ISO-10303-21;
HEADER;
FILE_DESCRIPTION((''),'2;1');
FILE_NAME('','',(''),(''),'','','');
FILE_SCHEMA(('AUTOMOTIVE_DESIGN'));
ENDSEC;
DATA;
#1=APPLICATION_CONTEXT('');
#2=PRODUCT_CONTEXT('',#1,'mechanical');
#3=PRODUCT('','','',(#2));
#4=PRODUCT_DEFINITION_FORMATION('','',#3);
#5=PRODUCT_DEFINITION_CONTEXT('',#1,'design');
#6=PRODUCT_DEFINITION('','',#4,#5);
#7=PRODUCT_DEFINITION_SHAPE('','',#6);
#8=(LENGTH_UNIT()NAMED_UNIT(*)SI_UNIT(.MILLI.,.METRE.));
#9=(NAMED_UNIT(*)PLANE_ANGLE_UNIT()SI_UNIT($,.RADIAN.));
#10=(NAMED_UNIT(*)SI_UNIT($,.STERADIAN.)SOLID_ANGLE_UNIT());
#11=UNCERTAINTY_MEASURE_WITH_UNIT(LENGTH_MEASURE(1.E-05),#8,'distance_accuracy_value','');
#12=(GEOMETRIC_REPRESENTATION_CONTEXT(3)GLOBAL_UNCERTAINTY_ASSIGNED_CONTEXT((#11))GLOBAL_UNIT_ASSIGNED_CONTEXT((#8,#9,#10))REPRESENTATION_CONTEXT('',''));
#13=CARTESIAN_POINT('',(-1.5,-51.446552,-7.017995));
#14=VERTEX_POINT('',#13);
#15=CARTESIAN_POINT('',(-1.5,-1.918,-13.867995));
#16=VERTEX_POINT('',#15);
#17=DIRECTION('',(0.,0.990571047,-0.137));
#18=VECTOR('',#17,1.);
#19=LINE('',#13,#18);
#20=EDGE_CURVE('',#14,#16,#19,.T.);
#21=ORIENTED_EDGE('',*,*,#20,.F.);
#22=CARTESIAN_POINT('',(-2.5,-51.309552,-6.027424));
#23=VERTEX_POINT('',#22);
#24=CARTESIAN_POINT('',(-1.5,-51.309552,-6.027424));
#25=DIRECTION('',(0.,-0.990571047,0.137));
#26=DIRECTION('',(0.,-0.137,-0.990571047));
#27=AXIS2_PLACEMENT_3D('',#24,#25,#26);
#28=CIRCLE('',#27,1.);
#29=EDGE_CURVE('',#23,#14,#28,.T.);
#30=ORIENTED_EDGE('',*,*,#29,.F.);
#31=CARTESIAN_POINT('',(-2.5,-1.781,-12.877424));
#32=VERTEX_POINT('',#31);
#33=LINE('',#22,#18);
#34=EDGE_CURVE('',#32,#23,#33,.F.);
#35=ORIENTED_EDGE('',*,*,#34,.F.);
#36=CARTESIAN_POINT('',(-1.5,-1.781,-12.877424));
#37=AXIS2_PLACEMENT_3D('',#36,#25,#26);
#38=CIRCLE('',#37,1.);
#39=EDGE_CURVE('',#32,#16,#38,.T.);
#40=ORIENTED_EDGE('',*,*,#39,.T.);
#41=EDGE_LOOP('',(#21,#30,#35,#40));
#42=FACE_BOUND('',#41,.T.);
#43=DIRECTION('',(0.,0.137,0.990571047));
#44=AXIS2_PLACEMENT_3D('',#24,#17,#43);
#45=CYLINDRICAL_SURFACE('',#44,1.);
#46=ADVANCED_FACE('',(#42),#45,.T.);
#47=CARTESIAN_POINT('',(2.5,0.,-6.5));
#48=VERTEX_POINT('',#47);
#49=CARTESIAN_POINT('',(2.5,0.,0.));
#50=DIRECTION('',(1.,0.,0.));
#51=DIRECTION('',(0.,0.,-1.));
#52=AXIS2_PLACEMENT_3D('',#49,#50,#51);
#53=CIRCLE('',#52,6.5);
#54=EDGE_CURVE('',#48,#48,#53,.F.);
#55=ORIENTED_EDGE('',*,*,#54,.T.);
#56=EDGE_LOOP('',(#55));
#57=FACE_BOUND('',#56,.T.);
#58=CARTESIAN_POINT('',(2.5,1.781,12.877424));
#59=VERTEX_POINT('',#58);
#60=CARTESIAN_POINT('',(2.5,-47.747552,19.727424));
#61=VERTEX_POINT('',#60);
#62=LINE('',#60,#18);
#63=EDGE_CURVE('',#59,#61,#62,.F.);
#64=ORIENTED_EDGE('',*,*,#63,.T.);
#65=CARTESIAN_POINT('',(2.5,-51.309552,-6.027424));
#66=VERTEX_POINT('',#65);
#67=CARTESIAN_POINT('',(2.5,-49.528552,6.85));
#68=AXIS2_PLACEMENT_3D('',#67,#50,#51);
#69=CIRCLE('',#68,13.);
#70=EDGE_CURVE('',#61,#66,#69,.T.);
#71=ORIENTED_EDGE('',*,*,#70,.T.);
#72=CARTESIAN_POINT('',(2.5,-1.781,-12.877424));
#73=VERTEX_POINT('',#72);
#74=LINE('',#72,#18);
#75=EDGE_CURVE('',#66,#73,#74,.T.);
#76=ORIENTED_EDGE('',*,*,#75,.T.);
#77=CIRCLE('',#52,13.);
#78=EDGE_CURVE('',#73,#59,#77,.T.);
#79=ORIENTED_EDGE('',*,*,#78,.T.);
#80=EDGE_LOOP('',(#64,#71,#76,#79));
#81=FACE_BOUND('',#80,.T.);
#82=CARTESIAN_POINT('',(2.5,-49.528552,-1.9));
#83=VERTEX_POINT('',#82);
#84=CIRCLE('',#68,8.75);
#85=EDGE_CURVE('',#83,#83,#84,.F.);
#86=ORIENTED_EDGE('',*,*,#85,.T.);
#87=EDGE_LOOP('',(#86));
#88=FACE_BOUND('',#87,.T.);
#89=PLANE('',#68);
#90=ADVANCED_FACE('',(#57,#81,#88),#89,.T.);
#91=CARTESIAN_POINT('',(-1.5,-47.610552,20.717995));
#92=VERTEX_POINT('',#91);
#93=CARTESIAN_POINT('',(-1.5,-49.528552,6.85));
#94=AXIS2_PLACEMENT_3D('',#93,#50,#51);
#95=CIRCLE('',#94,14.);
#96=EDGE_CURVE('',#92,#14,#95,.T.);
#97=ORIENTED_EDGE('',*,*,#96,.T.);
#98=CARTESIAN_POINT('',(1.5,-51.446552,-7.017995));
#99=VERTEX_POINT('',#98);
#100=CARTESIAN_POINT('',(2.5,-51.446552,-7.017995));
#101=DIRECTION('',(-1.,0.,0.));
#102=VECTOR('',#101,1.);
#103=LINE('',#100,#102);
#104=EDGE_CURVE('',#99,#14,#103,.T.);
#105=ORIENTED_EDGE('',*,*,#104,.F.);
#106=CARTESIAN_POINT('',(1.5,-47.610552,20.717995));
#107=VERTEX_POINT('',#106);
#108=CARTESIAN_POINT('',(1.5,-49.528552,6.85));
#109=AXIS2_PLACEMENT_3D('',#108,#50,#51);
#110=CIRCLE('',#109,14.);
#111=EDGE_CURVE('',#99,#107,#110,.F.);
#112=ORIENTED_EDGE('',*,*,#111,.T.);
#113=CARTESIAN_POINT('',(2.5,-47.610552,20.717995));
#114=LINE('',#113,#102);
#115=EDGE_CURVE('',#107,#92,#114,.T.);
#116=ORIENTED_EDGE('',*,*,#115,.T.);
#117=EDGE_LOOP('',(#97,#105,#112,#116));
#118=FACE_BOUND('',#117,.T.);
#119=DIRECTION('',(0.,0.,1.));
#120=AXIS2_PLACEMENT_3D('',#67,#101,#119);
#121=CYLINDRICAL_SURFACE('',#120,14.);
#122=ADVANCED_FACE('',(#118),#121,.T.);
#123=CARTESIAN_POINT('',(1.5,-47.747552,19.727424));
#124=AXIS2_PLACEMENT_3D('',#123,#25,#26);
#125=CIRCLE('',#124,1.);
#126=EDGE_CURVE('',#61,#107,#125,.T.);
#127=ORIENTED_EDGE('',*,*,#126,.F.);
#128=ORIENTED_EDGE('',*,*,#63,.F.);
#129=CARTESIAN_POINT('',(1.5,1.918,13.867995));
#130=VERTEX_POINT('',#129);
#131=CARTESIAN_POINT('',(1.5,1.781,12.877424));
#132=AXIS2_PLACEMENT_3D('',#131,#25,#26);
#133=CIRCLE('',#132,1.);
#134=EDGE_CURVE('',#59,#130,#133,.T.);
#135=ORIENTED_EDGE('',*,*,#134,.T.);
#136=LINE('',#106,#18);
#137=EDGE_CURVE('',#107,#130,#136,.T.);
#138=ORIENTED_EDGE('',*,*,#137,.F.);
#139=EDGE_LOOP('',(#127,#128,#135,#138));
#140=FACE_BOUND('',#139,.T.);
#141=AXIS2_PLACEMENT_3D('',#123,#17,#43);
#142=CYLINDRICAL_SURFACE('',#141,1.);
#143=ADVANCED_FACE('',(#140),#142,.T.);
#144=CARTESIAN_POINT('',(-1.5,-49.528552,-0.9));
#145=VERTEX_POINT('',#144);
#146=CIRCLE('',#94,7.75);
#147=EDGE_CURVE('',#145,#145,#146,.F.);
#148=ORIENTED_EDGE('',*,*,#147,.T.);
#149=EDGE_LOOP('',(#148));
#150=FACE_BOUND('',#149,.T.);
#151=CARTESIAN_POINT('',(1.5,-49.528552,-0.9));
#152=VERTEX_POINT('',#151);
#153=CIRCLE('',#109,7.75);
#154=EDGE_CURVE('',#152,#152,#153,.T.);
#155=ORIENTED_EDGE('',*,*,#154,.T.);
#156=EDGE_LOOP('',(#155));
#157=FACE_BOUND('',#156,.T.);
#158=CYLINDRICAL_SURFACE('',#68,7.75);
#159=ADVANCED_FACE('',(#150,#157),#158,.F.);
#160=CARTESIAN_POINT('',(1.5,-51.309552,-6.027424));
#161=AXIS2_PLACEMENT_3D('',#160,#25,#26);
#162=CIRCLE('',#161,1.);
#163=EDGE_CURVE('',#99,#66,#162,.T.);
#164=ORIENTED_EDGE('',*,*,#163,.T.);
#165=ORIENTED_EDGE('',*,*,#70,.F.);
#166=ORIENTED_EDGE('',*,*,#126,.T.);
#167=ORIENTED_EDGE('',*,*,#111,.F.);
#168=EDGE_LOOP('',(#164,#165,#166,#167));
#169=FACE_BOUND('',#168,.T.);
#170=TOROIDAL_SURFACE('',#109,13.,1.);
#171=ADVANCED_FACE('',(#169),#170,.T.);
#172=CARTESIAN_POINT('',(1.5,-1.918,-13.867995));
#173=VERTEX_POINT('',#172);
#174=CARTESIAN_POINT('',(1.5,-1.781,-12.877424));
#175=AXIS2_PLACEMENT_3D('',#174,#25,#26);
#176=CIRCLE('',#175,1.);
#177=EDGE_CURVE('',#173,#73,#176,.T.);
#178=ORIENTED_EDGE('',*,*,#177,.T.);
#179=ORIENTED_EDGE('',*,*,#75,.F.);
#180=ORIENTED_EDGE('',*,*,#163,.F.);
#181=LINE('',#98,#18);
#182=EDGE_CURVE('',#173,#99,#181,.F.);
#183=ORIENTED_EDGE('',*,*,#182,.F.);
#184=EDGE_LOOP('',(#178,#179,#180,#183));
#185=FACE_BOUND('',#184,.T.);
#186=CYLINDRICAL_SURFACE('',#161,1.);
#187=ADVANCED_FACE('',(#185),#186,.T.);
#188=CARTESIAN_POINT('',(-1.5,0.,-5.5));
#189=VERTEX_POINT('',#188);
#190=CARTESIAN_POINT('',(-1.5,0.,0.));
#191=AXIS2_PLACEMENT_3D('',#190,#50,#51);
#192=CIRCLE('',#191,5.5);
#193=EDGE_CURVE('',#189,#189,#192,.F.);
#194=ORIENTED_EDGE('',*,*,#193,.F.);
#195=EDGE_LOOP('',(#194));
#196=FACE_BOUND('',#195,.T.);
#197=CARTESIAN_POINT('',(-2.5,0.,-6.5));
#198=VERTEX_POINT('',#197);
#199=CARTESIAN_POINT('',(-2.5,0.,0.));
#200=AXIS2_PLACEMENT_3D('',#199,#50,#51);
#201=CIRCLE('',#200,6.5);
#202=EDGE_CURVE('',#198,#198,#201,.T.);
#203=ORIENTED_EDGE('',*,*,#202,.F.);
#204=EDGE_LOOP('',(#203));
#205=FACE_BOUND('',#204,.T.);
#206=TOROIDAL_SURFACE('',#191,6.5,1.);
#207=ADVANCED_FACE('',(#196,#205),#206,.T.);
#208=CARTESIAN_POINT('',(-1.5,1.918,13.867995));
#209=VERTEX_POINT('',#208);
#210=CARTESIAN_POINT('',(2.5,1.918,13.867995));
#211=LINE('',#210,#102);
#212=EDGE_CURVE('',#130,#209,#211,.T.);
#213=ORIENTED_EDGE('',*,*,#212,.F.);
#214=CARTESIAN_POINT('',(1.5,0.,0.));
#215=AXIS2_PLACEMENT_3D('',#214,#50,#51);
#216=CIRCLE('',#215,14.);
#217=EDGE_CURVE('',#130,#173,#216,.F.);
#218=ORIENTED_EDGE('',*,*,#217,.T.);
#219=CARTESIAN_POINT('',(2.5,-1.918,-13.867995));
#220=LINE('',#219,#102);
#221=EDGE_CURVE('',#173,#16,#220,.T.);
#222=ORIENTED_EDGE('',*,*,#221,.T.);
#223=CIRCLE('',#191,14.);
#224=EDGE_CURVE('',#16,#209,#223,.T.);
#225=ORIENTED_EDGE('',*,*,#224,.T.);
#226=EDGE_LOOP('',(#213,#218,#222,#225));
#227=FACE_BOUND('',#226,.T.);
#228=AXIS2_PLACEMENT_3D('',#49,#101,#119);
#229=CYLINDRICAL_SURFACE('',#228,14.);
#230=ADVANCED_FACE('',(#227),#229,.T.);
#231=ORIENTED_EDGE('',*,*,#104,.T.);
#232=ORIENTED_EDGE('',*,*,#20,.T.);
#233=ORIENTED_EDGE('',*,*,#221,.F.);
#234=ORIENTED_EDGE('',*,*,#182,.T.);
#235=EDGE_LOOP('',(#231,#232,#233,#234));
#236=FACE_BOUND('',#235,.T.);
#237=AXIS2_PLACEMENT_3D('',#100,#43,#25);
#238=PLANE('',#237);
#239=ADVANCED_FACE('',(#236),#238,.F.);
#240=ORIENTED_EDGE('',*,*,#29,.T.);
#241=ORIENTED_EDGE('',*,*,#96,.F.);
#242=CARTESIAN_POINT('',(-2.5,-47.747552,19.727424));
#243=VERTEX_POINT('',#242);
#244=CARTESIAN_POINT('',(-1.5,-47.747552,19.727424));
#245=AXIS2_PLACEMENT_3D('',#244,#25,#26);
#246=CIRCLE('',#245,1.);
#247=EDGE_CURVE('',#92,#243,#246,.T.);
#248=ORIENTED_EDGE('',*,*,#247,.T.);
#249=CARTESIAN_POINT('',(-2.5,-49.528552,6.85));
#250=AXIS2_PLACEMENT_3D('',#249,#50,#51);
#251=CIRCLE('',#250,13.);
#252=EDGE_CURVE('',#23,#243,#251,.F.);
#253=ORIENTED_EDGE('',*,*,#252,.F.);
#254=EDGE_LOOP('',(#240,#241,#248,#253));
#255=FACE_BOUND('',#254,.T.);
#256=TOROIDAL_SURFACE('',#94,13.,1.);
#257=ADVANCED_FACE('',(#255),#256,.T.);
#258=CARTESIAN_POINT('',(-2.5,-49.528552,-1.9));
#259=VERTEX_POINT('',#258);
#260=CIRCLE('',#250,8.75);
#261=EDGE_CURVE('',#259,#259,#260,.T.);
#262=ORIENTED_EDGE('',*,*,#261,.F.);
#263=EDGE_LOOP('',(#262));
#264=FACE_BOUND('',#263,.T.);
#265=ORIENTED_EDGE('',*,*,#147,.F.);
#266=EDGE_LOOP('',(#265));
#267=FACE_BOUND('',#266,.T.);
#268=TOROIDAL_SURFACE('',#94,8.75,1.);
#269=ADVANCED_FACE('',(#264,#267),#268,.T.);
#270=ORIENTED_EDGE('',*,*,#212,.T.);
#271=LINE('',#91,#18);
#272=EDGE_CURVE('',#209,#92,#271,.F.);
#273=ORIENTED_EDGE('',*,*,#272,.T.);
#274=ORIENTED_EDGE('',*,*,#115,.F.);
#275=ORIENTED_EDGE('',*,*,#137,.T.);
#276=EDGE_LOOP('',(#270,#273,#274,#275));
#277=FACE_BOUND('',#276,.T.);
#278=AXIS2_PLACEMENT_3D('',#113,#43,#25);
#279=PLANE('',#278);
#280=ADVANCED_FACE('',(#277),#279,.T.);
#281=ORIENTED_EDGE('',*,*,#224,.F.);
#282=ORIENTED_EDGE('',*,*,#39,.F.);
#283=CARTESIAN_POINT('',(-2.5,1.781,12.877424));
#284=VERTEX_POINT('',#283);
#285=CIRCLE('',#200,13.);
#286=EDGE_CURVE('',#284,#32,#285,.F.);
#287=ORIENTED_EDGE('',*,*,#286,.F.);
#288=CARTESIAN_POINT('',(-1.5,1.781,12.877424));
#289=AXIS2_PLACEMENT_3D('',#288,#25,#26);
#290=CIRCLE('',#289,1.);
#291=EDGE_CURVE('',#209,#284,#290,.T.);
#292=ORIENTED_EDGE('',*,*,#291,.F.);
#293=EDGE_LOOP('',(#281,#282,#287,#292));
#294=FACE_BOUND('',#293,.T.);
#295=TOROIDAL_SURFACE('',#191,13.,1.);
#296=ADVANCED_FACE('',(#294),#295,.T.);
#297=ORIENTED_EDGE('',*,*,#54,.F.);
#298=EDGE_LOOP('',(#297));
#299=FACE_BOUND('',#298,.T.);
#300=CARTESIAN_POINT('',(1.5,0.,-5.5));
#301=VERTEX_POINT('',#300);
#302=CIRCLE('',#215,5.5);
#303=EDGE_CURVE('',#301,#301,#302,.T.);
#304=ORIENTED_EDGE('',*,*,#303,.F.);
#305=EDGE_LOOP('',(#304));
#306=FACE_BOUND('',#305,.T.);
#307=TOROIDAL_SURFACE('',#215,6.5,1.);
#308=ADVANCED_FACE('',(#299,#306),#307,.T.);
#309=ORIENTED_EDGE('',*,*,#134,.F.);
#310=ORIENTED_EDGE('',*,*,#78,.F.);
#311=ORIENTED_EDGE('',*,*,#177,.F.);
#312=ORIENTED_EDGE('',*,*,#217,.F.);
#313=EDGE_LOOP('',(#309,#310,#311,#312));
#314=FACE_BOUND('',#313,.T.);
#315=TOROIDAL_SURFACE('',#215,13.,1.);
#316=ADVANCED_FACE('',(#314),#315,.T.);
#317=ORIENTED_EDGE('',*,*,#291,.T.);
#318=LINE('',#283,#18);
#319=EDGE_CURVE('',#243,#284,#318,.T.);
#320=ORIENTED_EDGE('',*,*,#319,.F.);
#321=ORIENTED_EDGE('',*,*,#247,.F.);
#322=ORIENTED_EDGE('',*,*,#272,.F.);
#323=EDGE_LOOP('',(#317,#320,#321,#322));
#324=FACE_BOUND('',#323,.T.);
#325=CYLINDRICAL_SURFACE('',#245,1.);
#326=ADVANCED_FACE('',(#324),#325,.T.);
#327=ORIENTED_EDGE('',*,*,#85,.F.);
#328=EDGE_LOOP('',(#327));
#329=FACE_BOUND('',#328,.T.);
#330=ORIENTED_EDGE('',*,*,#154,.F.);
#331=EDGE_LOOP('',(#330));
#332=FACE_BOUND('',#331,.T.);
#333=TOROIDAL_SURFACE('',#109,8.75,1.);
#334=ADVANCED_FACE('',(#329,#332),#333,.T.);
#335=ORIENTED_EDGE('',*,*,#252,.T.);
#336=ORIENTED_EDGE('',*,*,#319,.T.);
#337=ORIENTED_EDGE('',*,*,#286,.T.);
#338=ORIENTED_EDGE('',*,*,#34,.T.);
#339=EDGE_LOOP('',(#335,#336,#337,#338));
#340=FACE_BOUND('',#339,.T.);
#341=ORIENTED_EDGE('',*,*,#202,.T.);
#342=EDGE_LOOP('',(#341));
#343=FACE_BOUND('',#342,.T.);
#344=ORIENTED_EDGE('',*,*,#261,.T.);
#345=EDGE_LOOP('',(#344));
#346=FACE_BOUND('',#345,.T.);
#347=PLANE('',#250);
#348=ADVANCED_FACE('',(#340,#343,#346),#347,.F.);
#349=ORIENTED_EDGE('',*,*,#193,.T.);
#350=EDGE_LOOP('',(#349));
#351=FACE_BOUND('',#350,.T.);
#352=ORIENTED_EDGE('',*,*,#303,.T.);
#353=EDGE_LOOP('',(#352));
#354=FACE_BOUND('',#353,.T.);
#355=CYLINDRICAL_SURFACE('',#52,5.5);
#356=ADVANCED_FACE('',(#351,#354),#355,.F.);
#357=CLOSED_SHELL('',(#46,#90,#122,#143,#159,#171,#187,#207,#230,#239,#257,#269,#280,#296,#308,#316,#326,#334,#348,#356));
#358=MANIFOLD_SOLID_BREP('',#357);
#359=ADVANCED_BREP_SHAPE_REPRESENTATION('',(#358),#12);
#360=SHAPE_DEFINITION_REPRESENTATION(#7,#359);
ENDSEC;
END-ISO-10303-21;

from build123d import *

# Parameters (mm, degrees)
BOSS_EXTRUDE1_DEPTH   = 2.5
M14_CLEARANCE_HOLE1_D = 15.5
M10_CLEARANCE_HOLE1_D = 11
FILLET1_R             = 1


with BuildPart() as part:
    # Sketch1 → Boss-Extrude1 (new, symmetric)
    with BuildSketch(Plane.YZ):
        with BuildLine():
            Line((-47.610552371, 20.717994664), (1.918, 13.867994664))
            ThreePointArc((1.918, 13.867994664), (13.867994664, -1.918), (-1.918, -13.867994664))
            Line((-1.918, -13.867994664), (-51.446552371, -7.017994664))
            ThreePointArc((-51.446552371, -7.017994664), (-63.396547035, 8.768), (-47.610552371, 20.717994664))
        make_face()
    extrude(amount=BOSS_EXTRUDE1_DEPTH, both=True)

    # M14 Clearance Hole1 (through all)
    with Locations(Plane.YZ.offset(2.5)):
        with Locations((-49.528552371, 6.85)):
            Hole(M14_CLEARANCE_HOLE1_D / 2)

    # M10 Clearance Hole1 (through all)
    with Locations(Plane.YZ.offset(2.5)):
        with Locations((0, 0)):
            Hole(M10_CLEARANCE_HOLE1_D / 2)

    # Fillet1
    fillet1_edges = [part.edges().sort_by_distance(p)[0] for p in [
        (2.5, 13.867994664, -1.918),
        (2.5, -22.846276186, 17.292994664),
        (2.5, -41.778552371, 6.85),
        (-2.5, -41.778552371, 6.85),
        (2.5, 5.5, 0),
        (-2.5, 5.5, 0),
        (2.5, -63.396547035, 8.768),
        (-2.5, -22.846276186, 17.292994664),
        (-2.5, 13.867994664, -1.918),
        (-2.5, -26.682276186, -10.442994664),
        (-2.5, -63.396547035, 8.768),
        (2.5, -26.682276186, -10.442994664),
    ]]
    fillet(fillet1_edges, radius=FILLET1_R)


solid = part.part
